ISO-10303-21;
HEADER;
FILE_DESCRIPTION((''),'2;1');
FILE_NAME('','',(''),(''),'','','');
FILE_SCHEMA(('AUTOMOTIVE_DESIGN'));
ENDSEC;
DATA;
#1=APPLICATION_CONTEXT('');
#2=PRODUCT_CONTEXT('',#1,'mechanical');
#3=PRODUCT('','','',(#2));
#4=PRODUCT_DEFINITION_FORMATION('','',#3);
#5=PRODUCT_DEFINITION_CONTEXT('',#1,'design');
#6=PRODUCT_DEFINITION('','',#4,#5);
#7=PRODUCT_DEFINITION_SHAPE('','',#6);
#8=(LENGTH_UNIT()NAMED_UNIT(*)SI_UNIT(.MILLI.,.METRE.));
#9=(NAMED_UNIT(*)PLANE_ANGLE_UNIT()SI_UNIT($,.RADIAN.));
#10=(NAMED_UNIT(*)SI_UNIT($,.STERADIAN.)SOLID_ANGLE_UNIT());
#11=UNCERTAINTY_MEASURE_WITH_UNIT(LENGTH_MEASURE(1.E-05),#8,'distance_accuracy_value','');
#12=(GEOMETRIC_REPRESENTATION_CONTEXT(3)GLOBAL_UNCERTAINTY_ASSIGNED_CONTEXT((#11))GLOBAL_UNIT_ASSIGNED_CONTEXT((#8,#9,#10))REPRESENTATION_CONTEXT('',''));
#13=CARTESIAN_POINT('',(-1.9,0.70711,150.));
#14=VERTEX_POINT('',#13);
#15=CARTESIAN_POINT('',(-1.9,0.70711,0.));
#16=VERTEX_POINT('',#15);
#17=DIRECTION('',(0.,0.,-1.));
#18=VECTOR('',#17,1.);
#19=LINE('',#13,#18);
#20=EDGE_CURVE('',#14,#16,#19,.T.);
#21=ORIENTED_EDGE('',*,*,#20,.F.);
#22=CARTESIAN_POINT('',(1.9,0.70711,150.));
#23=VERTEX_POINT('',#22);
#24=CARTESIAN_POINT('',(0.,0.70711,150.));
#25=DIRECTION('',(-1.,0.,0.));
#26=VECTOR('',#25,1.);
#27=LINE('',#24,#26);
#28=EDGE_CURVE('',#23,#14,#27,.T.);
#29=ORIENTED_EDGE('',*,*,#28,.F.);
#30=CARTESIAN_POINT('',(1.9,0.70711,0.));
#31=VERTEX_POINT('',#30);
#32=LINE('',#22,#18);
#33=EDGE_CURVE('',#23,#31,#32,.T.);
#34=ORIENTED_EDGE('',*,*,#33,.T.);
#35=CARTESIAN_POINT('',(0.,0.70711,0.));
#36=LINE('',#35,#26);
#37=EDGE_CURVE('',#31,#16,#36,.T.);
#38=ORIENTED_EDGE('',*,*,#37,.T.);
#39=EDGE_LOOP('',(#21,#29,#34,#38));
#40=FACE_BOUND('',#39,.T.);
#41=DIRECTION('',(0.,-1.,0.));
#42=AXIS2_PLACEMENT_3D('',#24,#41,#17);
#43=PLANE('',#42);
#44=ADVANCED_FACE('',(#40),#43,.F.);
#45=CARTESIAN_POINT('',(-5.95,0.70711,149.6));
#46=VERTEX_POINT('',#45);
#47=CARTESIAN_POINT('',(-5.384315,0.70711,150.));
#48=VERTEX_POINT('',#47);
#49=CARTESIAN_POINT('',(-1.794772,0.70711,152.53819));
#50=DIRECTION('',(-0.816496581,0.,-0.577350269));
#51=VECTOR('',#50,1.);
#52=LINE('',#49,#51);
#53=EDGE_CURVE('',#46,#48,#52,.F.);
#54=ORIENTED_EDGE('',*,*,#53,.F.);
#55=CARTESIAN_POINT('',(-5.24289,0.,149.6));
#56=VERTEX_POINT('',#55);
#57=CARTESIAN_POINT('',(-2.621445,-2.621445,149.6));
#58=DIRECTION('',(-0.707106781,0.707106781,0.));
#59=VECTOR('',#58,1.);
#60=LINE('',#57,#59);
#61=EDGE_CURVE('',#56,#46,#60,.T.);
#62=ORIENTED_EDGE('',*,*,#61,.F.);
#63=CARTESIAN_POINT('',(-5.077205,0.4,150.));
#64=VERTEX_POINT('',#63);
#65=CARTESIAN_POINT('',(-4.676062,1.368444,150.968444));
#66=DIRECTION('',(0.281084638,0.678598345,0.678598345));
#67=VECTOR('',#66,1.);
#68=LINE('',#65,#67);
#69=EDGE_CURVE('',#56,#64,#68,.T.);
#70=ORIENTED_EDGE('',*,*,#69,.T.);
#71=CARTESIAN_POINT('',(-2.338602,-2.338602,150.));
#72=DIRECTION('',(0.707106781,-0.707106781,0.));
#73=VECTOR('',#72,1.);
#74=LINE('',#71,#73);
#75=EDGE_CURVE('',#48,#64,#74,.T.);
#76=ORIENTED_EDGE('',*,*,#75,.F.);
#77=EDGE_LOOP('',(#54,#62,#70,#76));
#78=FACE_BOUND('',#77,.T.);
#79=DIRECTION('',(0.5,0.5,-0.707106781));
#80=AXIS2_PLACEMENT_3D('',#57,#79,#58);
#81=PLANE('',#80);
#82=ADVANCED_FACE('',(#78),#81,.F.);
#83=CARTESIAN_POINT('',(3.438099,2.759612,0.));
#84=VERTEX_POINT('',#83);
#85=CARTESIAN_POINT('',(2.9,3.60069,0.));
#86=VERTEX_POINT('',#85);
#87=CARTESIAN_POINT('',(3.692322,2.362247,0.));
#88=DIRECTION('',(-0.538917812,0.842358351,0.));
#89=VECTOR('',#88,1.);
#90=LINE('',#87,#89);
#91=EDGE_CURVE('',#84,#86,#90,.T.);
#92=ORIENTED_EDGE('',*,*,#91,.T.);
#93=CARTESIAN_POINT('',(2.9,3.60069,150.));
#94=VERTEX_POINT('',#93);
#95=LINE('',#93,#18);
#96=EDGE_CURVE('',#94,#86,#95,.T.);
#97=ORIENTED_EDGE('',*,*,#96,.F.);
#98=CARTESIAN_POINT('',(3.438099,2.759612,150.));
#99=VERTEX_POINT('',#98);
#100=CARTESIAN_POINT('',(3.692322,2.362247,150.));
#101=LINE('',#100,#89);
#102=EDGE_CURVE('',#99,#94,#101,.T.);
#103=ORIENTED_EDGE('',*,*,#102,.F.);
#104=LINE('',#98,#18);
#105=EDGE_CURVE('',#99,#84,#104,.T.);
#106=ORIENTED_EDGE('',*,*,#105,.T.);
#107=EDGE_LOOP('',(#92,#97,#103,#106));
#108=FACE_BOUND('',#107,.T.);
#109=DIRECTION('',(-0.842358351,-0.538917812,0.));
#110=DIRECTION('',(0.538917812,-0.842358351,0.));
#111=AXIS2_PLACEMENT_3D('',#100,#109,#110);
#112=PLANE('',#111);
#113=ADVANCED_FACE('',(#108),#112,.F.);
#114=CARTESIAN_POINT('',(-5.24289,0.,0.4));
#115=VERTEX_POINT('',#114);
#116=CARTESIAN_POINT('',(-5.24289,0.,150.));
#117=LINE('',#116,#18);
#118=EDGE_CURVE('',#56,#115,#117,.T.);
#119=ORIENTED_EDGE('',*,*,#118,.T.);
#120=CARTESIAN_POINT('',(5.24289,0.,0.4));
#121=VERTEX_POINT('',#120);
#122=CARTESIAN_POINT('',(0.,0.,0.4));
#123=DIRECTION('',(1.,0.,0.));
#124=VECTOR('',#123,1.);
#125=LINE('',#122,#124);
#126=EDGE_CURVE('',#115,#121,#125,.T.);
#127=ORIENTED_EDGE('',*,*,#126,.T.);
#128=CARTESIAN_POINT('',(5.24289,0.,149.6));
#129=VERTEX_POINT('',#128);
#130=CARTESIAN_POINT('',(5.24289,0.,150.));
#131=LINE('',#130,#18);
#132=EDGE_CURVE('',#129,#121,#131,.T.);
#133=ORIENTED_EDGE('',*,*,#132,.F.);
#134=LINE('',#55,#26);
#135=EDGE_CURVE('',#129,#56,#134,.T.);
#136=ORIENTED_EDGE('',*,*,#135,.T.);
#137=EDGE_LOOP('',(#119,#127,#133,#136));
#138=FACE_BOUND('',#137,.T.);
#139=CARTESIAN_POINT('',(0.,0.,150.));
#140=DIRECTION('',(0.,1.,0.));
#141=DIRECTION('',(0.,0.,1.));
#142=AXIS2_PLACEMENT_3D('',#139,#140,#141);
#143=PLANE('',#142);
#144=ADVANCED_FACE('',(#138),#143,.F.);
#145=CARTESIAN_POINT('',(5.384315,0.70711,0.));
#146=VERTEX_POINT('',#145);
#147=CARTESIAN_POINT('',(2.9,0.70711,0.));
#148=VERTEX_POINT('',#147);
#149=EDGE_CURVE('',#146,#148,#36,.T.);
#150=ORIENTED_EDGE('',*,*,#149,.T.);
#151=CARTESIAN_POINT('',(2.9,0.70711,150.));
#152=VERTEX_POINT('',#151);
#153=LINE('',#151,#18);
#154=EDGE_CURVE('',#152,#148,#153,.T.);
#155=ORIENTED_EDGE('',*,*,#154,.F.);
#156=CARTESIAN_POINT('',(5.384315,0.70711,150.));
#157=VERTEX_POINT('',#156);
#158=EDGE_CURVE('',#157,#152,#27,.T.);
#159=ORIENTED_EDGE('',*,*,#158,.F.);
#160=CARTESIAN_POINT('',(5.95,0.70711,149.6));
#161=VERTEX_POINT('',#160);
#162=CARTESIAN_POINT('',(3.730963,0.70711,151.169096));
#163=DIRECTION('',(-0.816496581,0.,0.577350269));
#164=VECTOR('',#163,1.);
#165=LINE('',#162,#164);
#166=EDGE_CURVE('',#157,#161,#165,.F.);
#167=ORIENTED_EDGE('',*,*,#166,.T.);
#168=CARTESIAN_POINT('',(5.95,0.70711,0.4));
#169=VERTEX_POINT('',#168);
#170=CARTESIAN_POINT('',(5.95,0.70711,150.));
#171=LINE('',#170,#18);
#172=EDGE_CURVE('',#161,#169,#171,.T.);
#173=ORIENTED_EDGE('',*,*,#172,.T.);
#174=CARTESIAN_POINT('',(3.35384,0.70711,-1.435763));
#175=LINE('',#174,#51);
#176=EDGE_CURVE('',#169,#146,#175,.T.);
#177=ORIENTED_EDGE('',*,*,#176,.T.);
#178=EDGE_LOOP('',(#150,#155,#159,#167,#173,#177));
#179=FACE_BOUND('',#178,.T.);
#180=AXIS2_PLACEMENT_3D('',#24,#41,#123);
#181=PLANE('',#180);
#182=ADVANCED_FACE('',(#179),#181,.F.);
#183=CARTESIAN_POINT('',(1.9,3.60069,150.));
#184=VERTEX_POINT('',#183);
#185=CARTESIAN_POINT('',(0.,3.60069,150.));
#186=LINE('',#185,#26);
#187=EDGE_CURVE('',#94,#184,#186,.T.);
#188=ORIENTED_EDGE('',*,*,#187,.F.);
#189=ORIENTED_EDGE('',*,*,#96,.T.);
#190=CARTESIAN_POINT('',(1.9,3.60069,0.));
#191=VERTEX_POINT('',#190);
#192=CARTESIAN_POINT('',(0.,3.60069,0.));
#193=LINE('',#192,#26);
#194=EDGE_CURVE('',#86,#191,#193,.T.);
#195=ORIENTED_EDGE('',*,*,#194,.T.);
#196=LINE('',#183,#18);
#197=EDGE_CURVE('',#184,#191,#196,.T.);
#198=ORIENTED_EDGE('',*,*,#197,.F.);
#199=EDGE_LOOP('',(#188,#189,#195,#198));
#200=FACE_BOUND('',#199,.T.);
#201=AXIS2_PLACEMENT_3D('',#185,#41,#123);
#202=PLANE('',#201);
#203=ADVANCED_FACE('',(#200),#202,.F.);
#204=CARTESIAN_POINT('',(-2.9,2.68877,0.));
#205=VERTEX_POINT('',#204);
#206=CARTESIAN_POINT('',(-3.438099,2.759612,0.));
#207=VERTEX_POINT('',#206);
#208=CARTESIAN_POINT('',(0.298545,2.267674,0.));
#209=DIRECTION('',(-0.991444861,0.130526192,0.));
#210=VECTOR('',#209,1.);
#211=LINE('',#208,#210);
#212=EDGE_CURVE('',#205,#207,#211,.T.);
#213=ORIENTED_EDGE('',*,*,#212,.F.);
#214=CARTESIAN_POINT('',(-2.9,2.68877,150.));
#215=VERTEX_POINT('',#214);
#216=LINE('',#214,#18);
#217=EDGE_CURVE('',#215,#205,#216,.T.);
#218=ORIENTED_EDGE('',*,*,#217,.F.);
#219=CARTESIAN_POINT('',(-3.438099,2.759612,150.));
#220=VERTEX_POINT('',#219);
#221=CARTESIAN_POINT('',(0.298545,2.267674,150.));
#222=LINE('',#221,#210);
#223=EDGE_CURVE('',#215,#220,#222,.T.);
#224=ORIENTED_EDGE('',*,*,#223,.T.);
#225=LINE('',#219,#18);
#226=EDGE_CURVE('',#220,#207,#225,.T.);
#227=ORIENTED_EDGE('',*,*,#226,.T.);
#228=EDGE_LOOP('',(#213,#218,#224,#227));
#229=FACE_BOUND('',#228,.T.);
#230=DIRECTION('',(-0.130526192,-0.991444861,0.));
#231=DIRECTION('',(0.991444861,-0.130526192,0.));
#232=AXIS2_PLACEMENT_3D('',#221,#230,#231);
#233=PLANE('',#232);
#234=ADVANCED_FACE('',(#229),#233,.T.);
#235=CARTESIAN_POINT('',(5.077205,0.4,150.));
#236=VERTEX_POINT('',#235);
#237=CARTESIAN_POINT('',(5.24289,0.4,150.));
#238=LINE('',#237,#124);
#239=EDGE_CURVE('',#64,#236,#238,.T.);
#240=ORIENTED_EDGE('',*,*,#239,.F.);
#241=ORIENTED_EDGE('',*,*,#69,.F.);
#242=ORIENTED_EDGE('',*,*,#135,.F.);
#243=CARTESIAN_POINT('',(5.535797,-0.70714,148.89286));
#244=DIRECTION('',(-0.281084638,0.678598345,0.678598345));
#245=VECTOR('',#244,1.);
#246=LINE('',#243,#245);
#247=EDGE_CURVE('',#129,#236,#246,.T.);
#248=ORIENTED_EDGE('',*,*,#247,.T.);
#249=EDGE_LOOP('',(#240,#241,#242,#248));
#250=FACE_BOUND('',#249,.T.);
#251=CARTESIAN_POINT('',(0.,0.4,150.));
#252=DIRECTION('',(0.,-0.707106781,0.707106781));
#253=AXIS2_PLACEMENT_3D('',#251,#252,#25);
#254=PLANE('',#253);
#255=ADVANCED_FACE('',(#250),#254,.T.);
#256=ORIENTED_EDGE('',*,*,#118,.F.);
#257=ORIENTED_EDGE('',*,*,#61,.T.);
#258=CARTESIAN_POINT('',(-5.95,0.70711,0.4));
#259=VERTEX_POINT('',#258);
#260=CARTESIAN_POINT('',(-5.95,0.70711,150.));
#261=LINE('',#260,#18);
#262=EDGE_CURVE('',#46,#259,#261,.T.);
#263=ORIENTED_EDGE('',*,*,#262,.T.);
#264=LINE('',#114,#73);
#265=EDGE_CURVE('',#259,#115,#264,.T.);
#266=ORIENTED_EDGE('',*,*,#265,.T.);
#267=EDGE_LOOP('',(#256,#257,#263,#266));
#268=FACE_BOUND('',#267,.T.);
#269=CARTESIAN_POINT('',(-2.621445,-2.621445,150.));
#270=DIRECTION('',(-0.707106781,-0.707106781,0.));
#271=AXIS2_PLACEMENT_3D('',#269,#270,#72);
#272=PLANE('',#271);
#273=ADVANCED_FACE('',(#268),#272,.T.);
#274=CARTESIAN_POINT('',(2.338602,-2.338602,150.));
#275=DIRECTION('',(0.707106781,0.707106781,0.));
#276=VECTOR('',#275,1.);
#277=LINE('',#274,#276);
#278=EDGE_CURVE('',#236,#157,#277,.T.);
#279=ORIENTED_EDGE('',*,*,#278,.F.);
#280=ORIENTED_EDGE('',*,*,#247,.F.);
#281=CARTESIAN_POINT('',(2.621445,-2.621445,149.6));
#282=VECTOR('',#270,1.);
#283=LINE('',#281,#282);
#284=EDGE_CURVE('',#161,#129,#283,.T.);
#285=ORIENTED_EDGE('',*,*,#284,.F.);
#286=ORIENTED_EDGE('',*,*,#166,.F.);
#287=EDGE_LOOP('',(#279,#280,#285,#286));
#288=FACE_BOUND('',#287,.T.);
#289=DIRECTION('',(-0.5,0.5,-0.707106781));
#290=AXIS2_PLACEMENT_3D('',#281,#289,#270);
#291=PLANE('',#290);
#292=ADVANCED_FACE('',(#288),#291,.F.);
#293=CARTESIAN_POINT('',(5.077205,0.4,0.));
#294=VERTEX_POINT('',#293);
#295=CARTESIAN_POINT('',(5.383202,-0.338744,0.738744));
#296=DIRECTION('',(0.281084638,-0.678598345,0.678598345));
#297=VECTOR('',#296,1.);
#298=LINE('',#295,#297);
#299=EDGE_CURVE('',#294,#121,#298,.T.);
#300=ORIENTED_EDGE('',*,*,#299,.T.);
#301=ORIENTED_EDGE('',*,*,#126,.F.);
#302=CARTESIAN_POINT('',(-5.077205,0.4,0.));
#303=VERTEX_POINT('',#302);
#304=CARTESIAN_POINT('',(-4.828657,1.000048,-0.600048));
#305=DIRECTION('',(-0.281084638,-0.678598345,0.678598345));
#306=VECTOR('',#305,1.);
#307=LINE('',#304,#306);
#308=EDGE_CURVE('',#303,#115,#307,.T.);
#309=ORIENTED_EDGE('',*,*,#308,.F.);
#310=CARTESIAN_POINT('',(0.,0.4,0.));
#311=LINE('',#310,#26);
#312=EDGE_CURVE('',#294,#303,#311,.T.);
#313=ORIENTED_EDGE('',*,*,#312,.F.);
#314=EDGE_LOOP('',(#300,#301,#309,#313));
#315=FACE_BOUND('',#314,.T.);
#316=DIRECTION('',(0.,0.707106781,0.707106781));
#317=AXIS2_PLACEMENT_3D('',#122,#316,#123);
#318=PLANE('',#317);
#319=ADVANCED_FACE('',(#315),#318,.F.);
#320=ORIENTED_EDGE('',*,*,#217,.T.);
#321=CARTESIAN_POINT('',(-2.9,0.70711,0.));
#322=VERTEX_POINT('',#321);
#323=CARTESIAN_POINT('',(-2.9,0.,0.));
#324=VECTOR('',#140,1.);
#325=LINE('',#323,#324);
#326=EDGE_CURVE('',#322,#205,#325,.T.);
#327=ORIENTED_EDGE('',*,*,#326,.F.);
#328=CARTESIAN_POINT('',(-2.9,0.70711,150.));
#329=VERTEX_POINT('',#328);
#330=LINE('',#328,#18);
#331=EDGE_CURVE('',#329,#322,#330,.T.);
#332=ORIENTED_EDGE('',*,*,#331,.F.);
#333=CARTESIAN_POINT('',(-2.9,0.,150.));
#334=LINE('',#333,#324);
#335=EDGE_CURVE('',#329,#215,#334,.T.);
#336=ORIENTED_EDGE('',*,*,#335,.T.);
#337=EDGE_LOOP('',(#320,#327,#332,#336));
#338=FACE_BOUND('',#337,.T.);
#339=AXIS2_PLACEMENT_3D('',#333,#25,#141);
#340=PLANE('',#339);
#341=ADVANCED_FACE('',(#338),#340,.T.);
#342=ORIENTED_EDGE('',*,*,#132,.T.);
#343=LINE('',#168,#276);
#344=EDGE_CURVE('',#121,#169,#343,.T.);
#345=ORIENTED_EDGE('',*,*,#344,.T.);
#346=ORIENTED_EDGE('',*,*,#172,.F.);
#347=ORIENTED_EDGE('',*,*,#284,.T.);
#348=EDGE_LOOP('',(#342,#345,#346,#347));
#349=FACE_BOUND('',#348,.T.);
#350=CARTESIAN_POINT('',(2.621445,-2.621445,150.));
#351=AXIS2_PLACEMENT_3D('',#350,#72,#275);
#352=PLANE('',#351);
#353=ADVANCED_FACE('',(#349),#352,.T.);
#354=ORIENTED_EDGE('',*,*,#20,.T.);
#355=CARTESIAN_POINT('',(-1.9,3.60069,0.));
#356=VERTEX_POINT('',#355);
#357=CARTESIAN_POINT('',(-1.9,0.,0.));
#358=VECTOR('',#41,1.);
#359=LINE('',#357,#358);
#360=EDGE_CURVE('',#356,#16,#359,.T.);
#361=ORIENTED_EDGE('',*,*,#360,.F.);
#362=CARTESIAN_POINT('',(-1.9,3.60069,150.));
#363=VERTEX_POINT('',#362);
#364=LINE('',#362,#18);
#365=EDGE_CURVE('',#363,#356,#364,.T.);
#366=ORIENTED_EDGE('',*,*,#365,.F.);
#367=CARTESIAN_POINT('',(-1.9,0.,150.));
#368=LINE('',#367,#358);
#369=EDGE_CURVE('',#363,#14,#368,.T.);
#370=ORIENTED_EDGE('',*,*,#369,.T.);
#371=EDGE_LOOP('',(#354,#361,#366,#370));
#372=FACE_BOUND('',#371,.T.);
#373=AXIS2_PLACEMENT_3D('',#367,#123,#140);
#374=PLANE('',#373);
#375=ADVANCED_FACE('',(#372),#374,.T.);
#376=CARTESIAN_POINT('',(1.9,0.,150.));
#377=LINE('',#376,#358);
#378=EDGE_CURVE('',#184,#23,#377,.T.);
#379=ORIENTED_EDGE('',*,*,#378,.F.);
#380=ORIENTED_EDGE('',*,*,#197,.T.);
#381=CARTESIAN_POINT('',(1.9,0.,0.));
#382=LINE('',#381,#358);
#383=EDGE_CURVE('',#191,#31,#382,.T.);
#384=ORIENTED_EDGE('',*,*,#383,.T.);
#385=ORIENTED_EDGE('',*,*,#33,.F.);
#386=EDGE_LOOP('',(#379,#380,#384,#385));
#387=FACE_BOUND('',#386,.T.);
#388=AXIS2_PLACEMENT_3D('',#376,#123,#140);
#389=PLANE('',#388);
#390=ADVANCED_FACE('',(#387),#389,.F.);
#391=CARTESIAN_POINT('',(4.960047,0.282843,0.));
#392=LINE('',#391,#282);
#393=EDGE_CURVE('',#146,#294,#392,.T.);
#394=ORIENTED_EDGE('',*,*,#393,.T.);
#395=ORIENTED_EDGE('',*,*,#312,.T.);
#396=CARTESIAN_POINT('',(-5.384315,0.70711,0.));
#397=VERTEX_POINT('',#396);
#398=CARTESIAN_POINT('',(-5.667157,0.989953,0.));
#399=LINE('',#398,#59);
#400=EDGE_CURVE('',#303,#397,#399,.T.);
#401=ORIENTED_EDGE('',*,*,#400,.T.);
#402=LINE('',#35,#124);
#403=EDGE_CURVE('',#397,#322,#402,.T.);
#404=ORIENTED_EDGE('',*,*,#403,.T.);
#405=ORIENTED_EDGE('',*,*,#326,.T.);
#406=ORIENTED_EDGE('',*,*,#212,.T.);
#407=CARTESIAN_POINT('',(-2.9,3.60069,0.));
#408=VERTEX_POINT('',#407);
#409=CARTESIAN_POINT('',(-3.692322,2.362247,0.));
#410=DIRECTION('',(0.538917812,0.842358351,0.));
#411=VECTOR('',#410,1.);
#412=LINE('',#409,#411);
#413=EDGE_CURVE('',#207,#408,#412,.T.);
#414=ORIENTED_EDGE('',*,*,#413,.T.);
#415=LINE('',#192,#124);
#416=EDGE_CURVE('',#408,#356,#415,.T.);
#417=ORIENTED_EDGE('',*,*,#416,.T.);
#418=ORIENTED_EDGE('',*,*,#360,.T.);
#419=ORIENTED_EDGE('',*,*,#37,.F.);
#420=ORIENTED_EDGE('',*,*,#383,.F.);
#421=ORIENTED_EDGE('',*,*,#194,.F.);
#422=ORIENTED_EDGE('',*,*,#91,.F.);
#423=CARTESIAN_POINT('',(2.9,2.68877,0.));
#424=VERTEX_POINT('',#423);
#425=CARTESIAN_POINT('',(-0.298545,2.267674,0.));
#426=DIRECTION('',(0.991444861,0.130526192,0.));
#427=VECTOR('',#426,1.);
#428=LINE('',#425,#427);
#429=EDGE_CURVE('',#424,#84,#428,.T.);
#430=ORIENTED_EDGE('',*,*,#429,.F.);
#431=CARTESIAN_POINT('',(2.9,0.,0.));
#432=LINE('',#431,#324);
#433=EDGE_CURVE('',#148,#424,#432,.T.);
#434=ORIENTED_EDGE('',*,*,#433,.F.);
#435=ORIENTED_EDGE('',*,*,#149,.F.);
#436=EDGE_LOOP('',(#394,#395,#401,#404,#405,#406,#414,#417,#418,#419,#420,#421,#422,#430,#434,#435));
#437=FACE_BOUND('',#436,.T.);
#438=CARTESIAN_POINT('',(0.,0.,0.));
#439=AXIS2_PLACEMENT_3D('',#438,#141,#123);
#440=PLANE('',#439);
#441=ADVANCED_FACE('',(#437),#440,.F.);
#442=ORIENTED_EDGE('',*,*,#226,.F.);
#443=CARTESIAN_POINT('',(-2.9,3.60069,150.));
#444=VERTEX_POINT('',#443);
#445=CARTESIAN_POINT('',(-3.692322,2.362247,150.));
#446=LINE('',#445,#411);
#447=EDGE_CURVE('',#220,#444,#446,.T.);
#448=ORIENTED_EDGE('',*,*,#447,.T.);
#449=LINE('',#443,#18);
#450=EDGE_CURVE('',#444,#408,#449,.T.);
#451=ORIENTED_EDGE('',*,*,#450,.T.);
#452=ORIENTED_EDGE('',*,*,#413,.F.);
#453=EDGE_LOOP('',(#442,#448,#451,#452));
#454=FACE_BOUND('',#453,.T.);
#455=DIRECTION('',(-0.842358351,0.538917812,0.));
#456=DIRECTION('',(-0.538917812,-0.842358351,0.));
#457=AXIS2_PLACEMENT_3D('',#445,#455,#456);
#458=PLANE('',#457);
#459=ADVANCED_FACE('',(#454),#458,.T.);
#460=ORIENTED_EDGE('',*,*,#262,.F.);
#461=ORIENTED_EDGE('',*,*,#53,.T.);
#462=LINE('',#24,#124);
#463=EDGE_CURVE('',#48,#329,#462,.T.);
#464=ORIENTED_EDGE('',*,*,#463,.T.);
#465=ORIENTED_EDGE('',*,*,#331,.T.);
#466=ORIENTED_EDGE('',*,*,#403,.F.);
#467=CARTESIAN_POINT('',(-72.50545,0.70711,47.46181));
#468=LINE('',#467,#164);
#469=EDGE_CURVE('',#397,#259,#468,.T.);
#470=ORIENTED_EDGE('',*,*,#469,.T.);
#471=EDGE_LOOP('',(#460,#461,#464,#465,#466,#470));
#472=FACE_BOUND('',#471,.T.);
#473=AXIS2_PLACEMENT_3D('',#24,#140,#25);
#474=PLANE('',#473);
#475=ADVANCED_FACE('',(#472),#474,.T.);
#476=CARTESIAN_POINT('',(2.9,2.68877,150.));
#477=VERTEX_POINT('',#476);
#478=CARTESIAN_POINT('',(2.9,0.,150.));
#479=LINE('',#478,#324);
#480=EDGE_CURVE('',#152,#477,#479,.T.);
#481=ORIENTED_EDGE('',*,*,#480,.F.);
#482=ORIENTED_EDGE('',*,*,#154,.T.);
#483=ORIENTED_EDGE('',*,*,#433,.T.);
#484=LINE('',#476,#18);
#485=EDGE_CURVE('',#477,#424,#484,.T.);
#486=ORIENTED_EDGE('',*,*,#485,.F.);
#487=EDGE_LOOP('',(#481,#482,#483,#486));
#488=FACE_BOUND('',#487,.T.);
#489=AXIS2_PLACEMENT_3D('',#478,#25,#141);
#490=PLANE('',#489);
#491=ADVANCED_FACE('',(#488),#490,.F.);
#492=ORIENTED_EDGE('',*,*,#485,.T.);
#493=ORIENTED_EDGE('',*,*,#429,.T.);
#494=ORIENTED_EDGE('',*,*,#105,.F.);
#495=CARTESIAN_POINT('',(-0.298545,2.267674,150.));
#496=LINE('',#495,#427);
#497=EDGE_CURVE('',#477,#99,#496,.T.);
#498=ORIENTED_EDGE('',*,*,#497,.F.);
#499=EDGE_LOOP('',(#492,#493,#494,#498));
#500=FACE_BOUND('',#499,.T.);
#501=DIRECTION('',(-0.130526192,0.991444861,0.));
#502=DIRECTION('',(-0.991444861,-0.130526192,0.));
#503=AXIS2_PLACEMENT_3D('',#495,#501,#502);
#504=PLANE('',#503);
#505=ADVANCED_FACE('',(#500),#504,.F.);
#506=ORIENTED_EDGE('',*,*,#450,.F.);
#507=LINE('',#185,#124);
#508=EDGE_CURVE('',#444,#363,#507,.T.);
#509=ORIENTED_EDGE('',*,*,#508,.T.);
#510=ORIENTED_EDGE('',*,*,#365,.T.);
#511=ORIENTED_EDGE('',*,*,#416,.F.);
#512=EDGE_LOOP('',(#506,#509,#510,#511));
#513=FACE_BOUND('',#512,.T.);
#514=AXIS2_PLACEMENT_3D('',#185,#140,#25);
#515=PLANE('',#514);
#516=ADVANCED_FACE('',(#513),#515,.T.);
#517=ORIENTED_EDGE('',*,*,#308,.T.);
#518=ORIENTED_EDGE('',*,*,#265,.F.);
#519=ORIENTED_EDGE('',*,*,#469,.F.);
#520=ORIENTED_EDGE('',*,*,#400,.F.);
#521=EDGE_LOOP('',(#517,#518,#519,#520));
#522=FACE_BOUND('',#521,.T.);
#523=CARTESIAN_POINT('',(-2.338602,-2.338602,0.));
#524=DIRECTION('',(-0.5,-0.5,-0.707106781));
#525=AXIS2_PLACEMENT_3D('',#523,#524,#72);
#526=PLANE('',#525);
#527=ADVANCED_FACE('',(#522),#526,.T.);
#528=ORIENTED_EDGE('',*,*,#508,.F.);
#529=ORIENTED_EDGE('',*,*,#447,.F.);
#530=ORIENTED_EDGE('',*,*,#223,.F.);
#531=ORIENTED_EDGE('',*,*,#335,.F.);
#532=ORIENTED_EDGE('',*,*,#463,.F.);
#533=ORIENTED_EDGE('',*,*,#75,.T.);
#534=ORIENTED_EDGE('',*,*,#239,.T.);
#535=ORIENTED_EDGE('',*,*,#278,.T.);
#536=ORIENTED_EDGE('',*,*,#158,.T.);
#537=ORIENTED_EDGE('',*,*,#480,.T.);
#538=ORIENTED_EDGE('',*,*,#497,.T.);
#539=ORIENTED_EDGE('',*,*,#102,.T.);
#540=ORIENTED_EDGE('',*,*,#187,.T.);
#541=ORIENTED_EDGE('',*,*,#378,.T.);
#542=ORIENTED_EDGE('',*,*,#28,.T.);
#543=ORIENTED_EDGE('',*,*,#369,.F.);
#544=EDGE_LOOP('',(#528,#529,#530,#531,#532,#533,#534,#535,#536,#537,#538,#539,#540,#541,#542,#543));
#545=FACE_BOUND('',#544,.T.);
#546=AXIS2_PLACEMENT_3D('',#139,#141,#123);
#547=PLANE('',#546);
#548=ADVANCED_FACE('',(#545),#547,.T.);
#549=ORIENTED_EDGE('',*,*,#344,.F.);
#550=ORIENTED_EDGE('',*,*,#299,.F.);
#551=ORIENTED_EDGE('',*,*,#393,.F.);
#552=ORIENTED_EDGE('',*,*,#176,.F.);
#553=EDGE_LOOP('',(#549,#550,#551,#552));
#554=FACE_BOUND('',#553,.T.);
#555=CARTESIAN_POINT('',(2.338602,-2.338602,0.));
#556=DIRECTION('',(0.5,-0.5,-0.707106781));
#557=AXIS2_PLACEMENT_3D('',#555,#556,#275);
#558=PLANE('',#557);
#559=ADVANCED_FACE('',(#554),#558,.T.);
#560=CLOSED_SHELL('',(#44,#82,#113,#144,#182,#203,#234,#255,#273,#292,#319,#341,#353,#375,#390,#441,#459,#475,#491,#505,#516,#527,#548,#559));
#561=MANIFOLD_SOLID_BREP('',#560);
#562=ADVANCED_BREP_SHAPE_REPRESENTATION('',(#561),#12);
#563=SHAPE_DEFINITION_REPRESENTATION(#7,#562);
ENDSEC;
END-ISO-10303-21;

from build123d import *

# Parameters (mm, degrees)
BOSS_EXTRUDE1_DEPTH = 150
CHAMFER2_SIZE       = 0.4


with BuildPart() as part:
    # Sketch1 → Boss-Extrude1 (new body)
    with BuildSketch(Plane.XY):
        Polygon((5.95, 0.70711), (2.9, 0.70711), (2.9, 2.68877), (3.438098658, 2.759612032), (2.9, 3.60069), (1.9, 3.60069), (1.9, 0.70711), (-1.9, 0.70711), (-1.9, 3.60069), (-2.9, 3.60069), (-3.438098658, 2.759612032), (-2.9, 2.68877), (-2.9, 0.70711), (-5.95, 0.70711), (-5.24289, 0), (5.24289, 0), align=None)
    extrude(amount=BOSS_EXTRUDE1_DEPTH)

    # Chamfer2
    chamfer2_edges = [part.edges().sort_by_distance(p)[0] for p in [
        (5.596445, 0.353555, 0),
        (0, 0, 0),
        (-5.596445, 0.353555, 0),
        (-5.596445, 0.353555, 150),
        (0, 0, 150),
        (5.596445, 0.353555, 150),
    ]]
    chamfer(chamfer2_edges, length=CHAMFER2_SIZE)


solid = part.part
